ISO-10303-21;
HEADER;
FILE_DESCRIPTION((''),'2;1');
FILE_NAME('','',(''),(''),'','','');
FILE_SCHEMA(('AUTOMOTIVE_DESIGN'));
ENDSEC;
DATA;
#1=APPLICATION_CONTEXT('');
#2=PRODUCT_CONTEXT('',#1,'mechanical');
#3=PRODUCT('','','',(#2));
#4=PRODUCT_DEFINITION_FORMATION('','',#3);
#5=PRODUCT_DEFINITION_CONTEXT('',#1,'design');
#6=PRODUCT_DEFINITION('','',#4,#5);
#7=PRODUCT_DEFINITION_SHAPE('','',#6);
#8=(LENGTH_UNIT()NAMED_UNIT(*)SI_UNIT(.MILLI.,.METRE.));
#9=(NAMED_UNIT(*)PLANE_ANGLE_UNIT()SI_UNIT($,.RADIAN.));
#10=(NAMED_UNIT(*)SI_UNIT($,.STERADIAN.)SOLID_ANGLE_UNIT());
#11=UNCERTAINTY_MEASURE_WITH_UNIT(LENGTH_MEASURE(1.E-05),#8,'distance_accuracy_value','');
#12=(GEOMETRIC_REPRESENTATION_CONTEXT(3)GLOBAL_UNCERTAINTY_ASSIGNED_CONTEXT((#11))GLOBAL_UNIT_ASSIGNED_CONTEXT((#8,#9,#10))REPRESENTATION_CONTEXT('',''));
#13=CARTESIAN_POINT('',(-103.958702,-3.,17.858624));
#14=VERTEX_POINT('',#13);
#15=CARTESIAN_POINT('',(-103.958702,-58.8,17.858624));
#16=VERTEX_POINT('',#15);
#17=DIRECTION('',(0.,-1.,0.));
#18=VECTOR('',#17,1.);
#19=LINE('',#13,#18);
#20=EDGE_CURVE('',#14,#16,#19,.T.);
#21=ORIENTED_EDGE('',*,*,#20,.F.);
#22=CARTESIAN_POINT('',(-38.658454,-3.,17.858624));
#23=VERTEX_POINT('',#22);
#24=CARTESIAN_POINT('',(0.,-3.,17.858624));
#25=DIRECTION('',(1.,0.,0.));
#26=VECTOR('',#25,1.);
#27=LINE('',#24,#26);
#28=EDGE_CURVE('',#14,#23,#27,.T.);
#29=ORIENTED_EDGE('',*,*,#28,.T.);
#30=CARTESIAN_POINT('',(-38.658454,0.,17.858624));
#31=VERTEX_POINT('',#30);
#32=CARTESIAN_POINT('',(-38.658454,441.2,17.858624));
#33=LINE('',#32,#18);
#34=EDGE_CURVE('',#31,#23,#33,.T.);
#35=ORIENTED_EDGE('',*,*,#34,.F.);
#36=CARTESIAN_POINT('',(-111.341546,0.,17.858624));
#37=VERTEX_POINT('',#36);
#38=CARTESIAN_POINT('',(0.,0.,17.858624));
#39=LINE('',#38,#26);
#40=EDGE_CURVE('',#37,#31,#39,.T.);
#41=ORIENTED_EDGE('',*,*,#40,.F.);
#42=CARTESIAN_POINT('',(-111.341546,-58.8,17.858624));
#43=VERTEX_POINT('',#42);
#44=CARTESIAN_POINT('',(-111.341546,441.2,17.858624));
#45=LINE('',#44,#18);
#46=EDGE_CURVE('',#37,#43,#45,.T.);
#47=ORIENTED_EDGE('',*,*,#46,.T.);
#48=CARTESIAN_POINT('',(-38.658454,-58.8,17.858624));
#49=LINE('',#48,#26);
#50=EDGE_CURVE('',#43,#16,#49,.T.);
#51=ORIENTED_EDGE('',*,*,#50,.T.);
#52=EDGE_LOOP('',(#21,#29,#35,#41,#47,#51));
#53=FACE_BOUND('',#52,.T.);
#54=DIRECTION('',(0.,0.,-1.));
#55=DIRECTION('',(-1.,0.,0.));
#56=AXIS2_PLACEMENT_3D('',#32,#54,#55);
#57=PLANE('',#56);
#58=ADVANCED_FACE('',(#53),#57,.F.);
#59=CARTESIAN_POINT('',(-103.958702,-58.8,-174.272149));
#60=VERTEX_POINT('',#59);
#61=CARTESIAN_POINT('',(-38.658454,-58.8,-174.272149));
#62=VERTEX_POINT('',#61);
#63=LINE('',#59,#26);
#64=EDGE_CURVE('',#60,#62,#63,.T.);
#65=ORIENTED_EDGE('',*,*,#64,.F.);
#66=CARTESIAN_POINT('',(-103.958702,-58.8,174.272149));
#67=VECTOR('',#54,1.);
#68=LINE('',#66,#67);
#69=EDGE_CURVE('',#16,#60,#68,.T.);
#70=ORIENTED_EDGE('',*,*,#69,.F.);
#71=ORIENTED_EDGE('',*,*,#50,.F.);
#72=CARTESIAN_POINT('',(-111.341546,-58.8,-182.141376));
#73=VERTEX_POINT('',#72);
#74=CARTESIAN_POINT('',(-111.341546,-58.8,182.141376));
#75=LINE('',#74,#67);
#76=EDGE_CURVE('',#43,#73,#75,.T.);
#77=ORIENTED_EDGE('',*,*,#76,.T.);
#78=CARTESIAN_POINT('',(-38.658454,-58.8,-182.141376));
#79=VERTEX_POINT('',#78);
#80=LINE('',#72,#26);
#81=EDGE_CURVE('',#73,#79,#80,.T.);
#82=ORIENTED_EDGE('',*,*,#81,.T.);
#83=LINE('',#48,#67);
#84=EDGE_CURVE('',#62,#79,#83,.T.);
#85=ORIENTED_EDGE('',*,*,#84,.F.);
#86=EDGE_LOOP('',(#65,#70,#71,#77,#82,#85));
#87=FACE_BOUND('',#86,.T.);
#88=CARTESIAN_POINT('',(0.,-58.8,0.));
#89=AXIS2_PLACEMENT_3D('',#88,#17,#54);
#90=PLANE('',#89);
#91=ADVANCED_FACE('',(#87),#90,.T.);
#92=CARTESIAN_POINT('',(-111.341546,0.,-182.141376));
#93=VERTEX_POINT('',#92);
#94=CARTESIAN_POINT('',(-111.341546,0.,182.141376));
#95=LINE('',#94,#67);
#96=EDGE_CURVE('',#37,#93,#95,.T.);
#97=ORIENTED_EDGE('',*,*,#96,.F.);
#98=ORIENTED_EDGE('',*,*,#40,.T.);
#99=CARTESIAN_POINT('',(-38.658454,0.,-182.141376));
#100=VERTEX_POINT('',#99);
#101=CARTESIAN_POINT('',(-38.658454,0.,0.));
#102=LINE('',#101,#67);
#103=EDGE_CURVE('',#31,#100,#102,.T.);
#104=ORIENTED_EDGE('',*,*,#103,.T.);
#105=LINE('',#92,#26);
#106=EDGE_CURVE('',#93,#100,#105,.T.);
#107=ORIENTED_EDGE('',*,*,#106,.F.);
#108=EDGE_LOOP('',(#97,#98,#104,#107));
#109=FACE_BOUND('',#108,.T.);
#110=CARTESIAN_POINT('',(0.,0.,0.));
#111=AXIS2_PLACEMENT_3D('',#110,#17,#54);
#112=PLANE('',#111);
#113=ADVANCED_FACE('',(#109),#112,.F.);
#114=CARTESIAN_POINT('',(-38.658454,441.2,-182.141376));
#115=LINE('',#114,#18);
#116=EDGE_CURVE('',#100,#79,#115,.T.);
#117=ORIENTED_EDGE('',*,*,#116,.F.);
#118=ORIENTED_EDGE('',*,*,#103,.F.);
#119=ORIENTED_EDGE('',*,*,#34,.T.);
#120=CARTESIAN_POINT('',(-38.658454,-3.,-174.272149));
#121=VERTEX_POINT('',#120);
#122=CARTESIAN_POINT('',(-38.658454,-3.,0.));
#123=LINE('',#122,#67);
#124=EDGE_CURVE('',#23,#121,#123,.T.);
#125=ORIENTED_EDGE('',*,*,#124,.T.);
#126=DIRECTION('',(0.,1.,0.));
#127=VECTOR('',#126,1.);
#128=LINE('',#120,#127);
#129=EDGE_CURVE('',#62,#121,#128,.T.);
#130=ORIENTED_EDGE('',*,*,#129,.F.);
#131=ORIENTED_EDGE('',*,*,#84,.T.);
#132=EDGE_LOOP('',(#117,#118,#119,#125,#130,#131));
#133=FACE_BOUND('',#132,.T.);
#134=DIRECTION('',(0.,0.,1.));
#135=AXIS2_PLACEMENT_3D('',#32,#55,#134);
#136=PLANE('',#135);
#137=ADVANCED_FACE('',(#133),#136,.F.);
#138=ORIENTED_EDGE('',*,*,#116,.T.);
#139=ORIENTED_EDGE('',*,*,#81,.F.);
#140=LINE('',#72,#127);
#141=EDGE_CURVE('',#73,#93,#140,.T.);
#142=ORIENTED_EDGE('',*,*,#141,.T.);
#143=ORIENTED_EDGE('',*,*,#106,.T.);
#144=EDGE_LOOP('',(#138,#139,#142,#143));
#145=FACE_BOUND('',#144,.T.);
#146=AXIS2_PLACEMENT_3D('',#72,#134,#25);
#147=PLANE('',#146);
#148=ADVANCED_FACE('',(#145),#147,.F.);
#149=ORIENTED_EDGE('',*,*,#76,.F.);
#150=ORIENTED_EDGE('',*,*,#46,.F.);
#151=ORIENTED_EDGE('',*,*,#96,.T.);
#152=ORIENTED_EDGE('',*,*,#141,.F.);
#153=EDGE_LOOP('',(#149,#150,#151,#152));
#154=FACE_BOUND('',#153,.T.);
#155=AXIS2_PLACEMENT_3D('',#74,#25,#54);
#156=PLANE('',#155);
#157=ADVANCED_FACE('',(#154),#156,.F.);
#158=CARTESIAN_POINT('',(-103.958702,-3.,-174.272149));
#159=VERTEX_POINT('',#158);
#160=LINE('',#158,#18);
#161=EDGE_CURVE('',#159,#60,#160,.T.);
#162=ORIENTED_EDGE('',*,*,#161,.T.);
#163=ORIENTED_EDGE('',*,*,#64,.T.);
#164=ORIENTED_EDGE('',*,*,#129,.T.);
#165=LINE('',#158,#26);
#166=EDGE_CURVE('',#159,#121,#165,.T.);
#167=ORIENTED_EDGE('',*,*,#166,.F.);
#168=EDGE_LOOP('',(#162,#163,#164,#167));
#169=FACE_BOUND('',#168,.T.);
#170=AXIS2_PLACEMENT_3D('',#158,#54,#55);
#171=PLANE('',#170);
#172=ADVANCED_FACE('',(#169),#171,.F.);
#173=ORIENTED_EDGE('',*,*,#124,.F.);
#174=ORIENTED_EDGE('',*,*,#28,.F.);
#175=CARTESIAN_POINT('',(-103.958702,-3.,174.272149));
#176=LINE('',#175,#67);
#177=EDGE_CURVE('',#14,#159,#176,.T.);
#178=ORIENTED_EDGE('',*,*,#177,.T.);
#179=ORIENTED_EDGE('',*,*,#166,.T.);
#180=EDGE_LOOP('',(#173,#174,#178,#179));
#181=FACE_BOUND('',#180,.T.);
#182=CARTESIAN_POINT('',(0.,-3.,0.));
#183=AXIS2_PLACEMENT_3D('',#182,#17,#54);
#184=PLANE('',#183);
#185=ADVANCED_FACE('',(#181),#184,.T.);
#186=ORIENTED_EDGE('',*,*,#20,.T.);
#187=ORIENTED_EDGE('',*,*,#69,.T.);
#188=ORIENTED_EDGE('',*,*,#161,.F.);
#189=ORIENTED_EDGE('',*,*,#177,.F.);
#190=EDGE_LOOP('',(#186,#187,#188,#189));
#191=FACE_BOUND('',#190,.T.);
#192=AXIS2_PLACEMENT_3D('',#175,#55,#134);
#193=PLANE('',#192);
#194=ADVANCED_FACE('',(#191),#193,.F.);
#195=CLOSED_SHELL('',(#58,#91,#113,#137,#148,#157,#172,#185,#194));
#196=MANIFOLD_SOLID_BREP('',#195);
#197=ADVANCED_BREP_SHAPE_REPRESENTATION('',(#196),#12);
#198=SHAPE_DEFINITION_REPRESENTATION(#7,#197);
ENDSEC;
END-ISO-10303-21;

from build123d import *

# Parameters (mm, degrees)
SKETCH1_R           = 28.1
BOSS_EXTRUDE1_DEPTH = 1
SKETCH2_R           = 18.6
CUT_EXTRUDE1_DEPTH  = 58.8
SKETCH3_W           = 222.683092022
SKETCH3_H           = 364.2827524
BOSS_EXTRUDE2_DEPTH = 58.8
SKETCH4_W           = 207.917403516
SKETCH4_H           = 348.54429772
CUT_EXTRUDE2_DEPTH  = 55.8
SKETCH9_R           = 3
CUT_EXTRUDE8_DEPTH  = 10
SKETCH10_R          = 3.75
CUT_EXTRUDE9_DEPTH  = 10
CUT_EXTRUDE12_DEPTH = 500
SKETCH6_R           = 3.75
CUT_EXTRUDE5_DEPTH  = 400
SKETCH8_R           = 10
CUT_EXTRUDE7_DEPTH  = 10


with BuildPart() as part:
    # Sketch1 → Boss-Extrude1 (new body)
    with BuildSketch(Plane(origin=(0, 0, 0), x_dir=(1, 0, 0), z_dir=(0, 1, 0))):
        Circle(SKETCH1_R)
    extrude(amount=BOSS_EXTRUDE1_DEPTH)

    # Sketch2 → Cut-Extrude1 (cut)
    with BuildSketch(Plane(origin=(0, 1, 0), x_dir=(1, 0, 0), z_dir=(0, 1, 0))):
        with Locations((0, -7)):
            Circle(SKETCH2_R)
    extrude(amount=-CUT_EXTRUDE1_DEPTH, mode=Mode.SUBTRACT)

    # Sketch3 → Boss-Extrude2 (add)
    with BuildSketch(Plane(origin=(0, 0, 0), x_dir=(-1, 0, 0), z_dir=(0, -1, 0))):
        Rectangle(SKETCH3_W, SKETCH3_H)
    extrude(amount=BOSS_EXTRUDE2_DEPTH)

    # Sketch4 → Cut-Extrude2 (cut)
    with BuildSketch(Plane(origin=(0, -58.8, 0), x_dir=(-1, 0, 0), z_dir=(0, -1, 0))):
        Rectangle(SKETCH4_W, SKETCH4_H)
    extrude(amount=-CUT_EXTRUDE2_DEPTH, mode=Mode.SUBTRACT)

    # Sketch9 → Cut-Extrude8 (cut)
    with BuildSketch(Plane(origin=(0, 0, 0), x_dir=(1, 0, 0), z_dir=(0, 1, 0))):
        with Locations((0, -7)):
            Circle(SKETCH9_R)
    extrude(amount=-CUT_EXTRUDE8_DEPTH, mode=Mode.SUBTRACT)

    # Sketch10 → Cut-Extrude9 (cut)
    with BuildSketch(Plane(origin=(0, 1, 0), x_dir=(1, 0, 0), z_dir=(0, 1, 0))):
        with Locations((0, 19.85)):
            Circle(SKETCH10_R)
    extrude(amount=-CUT_EXTRUDE9_DEPTH, mode=Mode.SUBTRACT)

    # Sketch11 → Cut-Extrude12 (cut)
    with BuildSketch(Plane(origin=(0, -58.8, 0), x_dir=(-1, 0, 0), z_dir=(0, -1, 0))):
        Polygon((38.658453989, -17.8586238), (111.341546011, -17.8586238), (111.341546011, -182.1413762), (-111.341546011, -182.1413762), (-111.341546011, 182.1413762), (38.658453989, 182.1413762), align=None)
    extrude(amount=-CUT_EXTRUDE12_DEPTH, mode=Mode.SUBTRACT)

    # Sketch6 → Cut-Extrude5 (cut)
    with BuildSketch(Plane(origin=(0, 1, 0), x_dir=(1, 0, 0), z_dir=(0, 1, 0))):
        with Locations((0, 18.75)):
            Circle(SKETCH6_R)
    extrude(amount=-CUT_EXTRUDE5_DEPTH, mode=Mode.SUBTRACT)

    # Sketch8 → Cut-Extrude7 (cut)
    with BuildSketch(Plane(origin=(0, 0, -182.1413762), x_dir=(-1, 0, 0), z_dir=(0, 0, -1))):
        with Locations((-86.573671766, -25.011155335)):
            Circle(SKETCH8_R)
    extrude(amount=-CUT_EXTRUDE7_DEPTH, mode=Mode.SUBTRACT)


solid = part.part
